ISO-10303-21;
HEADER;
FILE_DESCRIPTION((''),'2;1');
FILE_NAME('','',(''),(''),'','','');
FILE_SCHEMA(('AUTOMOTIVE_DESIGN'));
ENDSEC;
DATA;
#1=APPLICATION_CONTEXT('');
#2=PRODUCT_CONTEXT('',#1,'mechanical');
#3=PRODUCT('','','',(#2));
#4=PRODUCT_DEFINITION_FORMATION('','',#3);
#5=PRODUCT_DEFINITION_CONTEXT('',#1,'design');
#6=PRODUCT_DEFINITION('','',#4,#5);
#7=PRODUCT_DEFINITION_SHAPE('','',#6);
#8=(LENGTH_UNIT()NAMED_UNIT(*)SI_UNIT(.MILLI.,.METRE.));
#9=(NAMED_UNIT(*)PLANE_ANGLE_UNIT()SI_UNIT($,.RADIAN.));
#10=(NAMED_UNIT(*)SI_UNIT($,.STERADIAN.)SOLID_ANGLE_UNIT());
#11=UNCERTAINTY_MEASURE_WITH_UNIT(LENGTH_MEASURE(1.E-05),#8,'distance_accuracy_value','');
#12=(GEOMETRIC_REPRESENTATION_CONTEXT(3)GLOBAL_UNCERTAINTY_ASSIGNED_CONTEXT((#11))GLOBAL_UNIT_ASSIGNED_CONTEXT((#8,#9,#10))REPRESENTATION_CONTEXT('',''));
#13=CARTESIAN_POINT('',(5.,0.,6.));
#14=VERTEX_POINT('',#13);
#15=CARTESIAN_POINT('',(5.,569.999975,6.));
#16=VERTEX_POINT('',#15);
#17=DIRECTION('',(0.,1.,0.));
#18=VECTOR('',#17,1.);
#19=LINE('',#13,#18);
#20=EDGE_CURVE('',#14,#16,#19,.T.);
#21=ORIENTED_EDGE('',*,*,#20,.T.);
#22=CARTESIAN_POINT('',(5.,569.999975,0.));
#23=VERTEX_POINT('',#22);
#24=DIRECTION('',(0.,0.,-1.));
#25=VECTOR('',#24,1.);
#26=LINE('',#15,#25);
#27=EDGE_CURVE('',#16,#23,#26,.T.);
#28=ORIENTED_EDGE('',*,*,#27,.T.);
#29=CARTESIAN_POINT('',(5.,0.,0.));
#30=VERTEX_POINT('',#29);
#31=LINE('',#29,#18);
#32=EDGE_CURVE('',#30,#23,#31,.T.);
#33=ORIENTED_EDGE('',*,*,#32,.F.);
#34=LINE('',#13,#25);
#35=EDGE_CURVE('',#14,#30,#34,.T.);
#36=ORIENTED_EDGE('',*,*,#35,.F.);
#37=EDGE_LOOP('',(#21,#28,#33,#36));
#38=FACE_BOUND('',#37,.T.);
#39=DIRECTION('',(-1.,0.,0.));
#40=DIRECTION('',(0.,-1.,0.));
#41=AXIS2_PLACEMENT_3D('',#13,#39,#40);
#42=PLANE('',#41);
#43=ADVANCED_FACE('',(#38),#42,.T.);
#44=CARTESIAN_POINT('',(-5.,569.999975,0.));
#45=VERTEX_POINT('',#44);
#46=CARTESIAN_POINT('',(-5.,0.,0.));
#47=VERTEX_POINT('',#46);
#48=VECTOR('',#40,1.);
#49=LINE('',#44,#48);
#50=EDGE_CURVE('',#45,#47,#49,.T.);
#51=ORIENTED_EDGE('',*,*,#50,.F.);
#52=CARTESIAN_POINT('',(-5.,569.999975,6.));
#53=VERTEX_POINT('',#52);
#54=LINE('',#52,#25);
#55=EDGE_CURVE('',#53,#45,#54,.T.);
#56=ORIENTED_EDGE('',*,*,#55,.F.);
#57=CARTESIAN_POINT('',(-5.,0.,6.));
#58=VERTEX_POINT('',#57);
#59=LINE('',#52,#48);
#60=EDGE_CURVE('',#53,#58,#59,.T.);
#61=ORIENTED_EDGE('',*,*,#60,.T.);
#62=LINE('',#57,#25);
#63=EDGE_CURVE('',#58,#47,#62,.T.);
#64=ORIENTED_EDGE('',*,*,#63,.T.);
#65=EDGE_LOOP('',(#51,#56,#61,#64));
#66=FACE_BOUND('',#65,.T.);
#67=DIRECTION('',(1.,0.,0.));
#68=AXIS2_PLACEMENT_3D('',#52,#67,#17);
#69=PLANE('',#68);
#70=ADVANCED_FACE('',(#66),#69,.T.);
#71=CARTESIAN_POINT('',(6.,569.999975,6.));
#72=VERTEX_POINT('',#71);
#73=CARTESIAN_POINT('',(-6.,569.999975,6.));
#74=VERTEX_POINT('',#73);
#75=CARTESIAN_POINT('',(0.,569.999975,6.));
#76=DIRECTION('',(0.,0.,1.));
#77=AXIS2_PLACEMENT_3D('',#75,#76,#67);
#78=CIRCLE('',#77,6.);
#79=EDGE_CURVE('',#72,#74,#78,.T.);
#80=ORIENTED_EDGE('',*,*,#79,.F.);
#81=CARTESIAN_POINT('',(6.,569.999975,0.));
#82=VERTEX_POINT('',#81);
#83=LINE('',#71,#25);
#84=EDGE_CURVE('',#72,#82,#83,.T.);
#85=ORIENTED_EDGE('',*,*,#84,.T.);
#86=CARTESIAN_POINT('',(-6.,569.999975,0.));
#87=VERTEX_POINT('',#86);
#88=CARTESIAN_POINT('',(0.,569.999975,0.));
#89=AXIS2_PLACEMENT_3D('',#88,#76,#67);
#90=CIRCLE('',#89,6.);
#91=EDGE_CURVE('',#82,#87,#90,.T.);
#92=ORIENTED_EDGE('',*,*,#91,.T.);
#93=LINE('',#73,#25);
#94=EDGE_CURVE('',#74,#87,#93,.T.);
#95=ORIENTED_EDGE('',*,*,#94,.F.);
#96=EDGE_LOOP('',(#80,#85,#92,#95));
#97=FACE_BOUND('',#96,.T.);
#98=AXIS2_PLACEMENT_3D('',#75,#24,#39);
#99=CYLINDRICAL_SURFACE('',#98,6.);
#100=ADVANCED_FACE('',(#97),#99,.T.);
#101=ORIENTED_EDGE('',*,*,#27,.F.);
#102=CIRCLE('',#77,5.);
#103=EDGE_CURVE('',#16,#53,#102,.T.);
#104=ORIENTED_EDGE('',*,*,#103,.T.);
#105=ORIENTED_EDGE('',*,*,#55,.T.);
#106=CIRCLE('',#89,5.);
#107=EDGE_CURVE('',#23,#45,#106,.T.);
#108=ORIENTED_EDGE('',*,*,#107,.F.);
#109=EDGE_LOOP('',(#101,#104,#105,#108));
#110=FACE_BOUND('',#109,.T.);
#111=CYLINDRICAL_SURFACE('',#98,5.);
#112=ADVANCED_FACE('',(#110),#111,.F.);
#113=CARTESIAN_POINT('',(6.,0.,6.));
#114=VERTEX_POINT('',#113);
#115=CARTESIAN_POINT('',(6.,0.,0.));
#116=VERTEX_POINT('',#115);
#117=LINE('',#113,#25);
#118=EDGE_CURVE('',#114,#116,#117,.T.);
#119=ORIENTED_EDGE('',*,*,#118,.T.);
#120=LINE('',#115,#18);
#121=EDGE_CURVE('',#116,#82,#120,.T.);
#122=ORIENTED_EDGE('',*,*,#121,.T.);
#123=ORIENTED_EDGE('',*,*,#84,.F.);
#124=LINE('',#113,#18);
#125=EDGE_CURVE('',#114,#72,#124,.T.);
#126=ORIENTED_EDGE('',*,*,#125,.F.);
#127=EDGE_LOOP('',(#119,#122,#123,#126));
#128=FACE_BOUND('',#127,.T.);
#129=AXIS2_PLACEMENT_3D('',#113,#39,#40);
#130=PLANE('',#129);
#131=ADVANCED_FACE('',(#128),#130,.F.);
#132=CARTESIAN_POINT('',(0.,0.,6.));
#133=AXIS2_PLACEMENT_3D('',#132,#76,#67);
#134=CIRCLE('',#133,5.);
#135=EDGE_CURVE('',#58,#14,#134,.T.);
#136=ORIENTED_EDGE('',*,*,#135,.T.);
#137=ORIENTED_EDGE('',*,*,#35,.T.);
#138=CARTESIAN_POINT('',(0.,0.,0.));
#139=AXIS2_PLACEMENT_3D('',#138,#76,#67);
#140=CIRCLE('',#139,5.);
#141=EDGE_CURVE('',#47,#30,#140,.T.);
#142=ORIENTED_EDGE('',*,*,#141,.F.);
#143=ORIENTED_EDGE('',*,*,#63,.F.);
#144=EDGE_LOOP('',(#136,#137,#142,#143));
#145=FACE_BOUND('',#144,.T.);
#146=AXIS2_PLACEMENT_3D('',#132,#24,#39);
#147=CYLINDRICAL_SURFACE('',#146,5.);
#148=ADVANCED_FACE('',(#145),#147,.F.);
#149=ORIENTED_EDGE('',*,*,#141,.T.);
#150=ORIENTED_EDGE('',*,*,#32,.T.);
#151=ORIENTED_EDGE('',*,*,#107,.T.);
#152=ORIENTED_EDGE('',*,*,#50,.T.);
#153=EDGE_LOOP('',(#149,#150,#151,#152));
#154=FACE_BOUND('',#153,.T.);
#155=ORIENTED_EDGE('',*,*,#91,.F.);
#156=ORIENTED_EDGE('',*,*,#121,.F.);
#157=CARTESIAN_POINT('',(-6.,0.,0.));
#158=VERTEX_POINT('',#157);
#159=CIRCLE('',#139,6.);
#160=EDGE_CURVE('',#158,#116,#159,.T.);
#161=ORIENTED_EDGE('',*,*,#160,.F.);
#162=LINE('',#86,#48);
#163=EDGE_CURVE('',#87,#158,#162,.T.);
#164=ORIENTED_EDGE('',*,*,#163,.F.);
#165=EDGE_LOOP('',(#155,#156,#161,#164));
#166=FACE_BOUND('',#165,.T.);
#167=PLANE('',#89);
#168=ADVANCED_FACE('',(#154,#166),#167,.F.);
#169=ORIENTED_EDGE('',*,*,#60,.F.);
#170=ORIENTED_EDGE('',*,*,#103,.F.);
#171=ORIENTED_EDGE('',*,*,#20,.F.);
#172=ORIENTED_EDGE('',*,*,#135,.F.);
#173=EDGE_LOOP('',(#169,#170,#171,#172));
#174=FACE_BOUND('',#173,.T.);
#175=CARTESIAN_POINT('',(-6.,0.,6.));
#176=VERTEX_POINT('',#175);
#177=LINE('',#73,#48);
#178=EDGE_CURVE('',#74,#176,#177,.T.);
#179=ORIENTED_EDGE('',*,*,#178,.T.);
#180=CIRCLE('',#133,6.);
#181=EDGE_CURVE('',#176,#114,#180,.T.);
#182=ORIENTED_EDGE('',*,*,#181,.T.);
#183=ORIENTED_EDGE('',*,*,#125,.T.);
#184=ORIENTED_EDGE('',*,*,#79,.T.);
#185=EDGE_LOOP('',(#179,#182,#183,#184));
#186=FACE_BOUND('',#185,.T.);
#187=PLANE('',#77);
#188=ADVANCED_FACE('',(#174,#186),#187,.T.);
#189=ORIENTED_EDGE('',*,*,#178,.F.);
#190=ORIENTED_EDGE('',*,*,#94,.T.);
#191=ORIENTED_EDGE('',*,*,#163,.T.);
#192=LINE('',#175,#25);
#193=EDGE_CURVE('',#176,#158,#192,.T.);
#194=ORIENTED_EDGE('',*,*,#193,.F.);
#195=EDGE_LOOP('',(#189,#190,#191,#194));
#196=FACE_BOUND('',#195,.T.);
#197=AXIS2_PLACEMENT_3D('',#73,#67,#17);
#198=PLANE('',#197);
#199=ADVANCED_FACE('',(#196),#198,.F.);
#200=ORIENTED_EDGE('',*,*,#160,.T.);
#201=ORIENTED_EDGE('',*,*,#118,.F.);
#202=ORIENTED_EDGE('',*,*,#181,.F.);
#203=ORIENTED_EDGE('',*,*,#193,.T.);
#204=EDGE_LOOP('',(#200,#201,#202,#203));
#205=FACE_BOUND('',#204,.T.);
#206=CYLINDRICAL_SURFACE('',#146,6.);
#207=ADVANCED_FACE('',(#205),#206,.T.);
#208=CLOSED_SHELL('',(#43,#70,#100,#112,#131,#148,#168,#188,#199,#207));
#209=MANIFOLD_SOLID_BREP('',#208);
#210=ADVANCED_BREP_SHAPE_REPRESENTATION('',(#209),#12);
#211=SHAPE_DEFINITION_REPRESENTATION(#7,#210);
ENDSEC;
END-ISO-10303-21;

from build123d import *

# Parameters (mm, degrees)
BOSS_EXTRUDE1_DEPTH = 6


with BuildPart() as part:
    # Sketch1 → Boss-Extrude1 (new body)
    with BuildSketch(Plane.XY):
        with BuildLine():
            Line((-6, 569.99997537), (-6, 0))
            ThreePointArc((-6, 0), (0, -6), (6, 0))
            Line((6, 0), (6, 569.99997537))
            ThreePointArc((6, 569.99997537), (0, 575.99997537), (-6, 569.99997537))
        make_face()
        with BuildLine():
            Line((-5, 569.99997537), (-5, 0))
            ThreePointArc((-5, 0), (0, -5), (5, 0))
            Line((5, 0), (5, 569.99997537))
            ThreePointArc((5, 569.99997537), (0, 574.99997537), (-5, 569.99997537))
        make_face(mode=Mode.SUBTRACT)
    extrude(amount=BOSS_EXTRUDE1_DEPTH)


solid = part.part
